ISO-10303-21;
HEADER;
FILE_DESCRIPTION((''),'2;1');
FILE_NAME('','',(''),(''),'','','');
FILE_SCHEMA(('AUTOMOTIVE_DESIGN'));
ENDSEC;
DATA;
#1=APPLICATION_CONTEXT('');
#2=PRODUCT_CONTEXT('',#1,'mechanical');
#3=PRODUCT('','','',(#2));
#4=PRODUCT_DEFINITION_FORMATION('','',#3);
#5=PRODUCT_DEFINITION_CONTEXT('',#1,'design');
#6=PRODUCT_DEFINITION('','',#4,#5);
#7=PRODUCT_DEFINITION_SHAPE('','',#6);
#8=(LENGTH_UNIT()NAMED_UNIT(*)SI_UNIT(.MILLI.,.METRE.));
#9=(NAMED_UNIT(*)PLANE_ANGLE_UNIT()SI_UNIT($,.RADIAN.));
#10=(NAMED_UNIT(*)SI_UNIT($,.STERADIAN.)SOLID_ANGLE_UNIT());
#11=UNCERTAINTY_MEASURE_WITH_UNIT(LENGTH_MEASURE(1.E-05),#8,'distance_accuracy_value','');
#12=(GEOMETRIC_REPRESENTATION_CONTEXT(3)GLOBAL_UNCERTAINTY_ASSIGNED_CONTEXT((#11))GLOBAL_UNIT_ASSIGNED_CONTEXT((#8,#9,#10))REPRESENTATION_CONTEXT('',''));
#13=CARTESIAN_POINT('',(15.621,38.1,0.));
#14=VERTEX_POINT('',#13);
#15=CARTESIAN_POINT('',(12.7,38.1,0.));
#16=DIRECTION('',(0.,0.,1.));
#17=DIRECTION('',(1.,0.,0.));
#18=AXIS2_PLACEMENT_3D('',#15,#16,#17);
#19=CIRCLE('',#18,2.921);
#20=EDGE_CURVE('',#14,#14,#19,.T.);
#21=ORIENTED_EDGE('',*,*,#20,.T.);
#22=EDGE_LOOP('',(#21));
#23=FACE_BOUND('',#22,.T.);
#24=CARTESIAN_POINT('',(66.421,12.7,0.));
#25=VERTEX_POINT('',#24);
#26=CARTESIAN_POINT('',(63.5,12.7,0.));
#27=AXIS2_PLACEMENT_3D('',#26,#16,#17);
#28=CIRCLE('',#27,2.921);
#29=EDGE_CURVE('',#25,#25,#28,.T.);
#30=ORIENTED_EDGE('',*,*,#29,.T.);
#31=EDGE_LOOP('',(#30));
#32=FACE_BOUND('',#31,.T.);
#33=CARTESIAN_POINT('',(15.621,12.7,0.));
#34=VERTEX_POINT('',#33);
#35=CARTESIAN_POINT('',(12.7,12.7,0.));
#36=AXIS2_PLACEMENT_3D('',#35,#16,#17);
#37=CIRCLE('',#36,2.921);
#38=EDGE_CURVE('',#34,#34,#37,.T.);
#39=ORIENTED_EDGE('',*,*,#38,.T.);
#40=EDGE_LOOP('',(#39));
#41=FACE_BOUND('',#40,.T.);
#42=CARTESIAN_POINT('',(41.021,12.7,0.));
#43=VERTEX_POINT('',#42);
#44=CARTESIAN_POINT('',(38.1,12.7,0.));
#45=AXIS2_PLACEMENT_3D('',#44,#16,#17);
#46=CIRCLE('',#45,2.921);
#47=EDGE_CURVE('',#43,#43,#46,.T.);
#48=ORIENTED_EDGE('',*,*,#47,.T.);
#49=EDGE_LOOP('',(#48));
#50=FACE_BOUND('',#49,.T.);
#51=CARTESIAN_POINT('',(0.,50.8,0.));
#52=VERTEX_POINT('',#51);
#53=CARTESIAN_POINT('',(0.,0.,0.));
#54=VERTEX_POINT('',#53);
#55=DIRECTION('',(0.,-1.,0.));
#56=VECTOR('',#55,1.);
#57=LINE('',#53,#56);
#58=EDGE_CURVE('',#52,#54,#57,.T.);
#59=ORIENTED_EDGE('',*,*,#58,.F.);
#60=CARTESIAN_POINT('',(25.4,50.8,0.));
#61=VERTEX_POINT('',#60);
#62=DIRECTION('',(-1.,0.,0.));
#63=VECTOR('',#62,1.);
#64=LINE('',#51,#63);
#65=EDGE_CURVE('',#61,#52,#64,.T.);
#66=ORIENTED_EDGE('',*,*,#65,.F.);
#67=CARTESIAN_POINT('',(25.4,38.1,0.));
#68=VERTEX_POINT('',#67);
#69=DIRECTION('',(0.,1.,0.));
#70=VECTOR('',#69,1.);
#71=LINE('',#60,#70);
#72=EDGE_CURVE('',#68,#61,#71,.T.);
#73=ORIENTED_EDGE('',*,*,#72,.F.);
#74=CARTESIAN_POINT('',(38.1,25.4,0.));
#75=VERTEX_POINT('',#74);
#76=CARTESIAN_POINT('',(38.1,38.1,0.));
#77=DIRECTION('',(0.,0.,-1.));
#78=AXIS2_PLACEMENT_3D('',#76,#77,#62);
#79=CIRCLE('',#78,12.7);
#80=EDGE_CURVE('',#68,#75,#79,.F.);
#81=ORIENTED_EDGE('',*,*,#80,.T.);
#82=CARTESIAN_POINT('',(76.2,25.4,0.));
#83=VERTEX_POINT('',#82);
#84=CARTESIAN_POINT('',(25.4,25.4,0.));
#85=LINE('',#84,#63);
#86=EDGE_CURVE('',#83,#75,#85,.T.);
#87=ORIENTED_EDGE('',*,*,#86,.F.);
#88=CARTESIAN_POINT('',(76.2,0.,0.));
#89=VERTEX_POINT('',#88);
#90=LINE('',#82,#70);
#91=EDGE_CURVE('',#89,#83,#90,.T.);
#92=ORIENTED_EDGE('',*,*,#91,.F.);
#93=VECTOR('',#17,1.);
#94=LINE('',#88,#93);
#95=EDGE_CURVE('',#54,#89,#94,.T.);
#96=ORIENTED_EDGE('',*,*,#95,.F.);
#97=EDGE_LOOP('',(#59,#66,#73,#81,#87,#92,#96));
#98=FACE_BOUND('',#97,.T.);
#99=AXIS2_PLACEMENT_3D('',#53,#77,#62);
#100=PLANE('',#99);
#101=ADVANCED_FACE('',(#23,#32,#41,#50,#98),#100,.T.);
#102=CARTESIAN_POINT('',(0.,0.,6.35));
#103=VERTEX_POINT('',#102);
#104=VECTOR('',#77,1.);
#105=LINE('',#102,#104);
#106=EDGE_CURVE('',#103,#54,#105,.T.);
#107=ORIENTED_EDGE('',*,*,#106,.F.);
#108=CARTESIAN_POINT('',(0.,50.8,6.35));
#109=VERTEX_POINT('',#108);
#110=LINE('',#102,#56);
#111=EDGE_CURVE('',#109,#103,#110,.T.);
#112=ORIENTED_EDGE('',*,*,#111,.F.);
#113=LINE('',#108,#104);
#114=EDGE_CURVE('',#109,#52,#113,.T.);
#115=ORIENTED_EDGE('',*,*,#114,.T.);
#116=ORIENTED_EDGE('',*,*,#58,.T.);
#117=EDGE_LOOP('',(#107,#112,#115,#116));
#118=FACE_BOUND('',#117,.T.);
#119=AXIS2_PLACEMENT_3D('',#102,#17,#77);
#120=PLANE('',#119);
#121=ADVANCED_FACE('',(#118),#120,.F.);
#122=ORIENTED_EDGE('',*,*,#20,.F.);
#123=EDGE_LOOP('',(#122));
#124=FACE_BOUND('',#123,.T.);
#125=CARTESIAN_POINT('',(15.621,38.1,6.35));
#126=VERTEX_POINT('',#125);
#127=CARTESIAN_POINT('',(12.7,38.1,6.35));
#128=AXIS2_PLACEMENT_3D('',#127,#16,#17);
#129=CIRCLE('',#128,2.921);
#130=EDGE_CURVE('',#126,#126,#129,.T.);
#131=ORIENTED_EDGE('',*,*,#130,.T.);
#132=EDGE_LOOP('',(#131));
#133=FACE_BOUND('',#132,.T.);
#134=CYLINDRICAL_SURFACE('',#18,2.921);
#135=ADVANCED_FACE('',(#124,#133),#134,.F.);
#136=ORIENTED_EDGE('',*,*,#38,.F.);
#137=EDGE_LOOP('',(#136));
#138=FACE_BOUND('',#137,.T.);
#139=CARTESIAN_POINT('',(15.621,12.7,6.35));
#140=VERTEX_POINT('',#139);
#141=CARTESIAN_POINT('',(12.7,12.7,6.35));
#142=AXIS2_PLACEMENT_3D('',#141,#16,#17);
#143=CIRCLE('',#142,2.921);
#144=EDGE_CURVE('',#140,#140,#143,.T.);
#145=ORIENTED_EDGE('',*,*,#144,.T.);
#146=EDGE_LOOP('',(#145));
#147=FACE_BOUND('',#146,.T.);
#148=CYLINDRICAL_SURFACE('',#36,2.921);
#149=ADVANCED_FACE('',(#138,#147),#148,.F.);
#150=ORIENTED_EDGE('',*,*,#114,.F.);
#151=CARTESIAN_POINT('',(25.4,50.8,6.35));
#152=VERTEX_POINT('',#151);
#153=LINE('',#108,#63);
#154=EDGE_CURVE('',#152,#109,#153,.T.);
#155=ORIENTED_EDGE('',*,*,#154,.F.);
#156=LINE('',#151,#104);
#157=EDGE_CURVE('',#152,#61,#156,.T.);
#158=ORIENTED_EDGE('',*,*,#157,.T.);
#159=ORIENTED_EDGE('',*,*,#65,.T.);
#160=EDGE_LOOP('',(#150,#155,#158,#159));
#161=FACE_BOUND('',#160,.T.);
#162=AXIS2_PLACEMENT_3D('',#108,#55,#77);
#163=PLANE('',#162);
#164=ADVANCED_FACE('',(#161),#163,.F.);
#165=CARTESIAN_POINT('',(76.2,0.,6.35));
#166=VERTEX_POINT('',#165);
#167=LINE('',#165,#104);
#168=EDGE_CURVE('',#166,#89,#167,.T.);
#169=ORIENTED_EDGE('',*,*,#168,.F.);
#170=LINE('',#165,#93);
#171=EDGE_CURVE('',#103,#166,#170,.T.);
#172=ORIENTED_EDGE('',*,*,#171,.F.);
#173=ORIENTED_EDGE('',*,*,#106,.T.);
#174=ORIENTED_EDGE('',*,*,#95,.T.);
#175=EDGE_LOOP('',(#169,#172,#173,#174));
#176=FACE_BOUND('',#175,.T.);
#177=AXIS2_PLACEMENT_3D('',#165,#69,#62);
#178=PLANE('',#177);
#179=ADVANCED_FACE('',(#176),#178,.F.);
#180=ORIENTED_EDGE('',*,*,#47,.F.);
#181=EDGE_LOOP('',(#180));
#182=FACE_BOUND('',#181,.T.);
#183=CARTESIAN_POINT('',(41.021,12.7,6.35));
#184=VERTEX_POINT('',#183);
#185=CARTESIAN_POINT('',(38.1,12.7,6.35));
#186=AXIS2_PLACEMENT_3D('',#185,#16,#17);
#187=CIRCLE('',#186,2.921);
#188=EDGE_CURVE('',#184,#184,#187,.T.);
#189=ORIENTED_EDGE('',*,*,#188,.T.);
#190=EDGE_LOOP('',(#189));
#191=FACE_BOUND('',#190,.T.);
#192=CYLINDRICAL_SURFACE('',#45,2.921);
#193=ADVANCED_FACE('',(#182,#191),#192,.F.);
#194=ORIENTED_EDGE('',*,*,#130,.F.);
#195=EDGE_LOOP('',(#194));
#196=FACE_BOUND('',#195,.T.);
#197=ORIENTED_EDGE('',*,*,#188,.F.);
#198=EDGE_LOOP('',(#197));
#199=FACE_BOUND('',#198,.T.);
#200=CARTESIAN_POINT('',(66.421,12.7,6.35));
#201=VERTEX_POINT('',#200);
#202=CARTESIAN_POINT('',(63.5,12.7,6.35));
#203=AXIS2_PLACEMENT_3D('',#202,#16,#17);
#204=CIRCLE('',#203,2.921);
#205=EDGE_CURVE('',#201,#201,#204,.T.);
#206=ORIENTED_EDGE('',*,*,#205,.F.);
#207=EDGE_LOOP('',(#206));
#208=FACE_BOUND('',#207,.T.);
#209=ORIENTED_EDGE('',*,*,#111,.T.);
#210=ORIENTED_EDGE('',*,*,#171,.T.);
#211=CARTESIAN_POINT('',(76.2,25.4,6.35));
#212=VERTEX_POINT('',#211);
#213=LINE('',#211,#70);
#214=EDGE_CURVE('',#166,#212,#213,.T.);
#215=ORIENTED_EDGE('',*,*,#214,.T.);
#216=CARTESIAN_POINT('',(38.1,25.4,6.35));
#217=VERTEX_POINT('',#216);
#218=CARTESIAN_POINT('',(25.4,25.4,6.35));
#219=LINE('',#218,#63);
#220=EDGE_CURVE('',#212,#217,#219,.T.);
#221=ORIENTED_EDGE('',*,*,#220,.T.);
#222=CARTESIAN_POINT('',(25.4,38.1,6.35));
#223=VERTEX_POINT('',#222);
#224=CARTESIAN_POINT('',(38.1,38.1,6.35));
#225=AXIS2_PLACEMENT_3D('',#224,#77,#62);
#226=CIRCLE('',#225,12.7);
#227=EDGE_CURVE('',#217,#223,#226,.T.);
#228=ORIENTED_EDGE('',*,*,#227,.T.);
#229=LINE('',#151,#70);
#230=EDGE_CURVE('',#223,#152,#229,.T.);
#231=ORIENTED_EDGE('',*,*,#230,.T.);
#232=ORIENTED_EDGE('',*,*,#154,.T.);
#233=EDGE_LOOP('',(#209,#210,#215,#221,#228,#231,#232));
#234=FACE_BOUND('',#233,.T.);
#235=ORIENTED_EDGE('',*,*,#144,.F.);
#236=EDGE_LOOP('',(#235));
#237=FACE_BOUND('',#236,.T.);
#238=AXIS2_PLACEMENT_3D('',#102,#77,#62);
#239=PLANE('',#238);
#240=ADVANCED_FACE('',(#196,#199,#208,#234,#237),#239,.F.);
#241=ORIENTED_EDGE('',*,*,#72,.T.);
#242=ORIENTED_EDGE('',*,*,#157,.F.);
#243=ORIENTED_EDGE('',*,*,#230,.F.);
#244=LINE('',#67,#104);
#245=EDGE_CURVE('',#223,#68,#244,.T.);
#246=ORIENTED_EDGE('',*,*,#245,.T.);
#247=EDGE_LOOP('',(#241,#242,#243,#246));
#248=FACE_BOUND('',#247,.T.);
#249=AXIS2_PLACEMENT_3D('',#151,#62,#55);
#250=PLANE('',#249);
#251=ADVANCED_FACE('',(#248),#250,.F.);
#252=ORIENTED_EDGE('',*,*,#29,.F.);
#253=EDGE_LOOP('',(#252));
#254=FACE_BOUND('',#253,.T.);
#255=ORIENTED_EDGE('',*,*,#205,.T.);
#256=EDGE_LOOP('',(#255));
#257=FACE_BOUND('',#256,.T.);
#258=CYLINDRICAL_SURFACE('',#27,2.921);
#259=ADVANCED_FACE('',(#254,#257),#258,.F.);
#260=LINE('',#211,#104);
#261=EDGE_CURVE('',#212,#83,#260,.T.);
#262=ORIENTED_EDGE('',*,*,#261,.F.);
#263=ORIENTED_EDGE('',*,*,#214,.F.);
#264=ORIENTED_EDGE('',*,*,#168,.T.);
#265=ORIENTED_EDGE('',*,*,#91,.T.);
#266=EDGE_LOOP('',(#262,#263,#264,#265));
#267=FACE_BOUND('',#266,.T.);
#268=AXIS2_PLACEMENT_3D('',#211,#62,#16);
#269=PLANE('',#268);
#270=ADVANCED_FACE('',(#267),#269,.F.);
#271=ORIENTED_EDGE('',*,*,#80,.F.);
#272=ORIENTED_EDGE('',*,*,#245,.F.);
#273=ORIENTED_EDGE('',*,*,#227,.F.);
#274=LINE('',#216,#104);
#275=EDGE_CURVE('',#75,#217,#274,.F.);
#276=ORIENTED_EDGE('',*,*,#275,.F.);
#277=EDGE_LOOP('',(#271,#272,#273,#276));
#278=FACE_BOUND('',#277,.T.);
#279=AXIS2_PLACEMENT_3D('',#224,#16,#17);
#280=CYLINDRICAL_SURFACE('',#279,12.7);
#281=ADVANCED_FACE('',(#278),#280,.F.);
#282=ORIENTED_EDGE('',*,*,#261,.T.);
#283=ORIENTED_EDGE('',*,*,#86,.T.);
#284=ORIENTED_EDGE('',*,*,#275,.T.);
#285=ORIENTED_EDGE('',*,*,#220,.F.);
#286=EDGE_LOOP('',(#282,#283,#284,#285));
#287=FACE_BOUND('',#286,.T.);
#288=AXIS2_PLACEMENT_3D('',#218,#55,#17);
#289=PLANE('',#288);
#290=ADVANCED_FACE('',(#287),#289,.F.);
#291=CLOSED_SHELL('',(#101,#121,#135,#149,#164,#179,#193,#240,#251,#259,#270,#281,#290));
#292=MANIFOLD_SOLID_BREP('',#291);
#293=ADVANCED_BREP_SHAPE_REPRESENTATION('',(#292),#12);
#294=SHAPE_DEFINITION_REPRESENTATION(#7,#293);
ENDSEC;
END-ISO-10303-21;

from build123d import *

# Parameters (mm, degrees)
BOSS_EXTRUDE1_DEPTH = 6.35
SKETCH2_R           = 2.921
CUT_EXTRUDE1_DEPTH  = 92.800885072
FILLET1_R           = 12.7


with BuildPart() as part:
    # Sketch1 → Boss-Extrude1 (new body)
    with BuildSketch(Plane.XY):
        Polygon((0, 0), (0, 50.8), (25.4, 50.8), (25.4, 25.4), (76.2, 25.4), (76.2, 0), align=None)
    extrude(amount=BOSS_EXTRUDE1_DEPTH)

    # Sketch2 → Cut-Extrude1 (cut, through all)
    with BuildSketch(Plane.XY.offset(6.35)):
        with Locations((12.7, 38.1)):
            Circle(SKETCH2_R)
        with Locations((12.7, 12.7)):
            Circle(SKETCH2_R)
        with Locations((38.1, 12.7)):
            Circle(SKETCH2_R)
        with Locations((63.5, 12.7)):
            Circle(SKETCH2_R)
    extrude(amount=-CUT_EXTRUDE1_DEPTH, mode=Mode.SUBTRACT)

    # Fillet1
    fillet1_edges = [part.edges().sort_by_distance(p)[0] for p in [
        (25.4, 25.4, 3.175),
    ]]
    fillet(fillet1_edges, radius=FILLET1_R)


solid = part.part
